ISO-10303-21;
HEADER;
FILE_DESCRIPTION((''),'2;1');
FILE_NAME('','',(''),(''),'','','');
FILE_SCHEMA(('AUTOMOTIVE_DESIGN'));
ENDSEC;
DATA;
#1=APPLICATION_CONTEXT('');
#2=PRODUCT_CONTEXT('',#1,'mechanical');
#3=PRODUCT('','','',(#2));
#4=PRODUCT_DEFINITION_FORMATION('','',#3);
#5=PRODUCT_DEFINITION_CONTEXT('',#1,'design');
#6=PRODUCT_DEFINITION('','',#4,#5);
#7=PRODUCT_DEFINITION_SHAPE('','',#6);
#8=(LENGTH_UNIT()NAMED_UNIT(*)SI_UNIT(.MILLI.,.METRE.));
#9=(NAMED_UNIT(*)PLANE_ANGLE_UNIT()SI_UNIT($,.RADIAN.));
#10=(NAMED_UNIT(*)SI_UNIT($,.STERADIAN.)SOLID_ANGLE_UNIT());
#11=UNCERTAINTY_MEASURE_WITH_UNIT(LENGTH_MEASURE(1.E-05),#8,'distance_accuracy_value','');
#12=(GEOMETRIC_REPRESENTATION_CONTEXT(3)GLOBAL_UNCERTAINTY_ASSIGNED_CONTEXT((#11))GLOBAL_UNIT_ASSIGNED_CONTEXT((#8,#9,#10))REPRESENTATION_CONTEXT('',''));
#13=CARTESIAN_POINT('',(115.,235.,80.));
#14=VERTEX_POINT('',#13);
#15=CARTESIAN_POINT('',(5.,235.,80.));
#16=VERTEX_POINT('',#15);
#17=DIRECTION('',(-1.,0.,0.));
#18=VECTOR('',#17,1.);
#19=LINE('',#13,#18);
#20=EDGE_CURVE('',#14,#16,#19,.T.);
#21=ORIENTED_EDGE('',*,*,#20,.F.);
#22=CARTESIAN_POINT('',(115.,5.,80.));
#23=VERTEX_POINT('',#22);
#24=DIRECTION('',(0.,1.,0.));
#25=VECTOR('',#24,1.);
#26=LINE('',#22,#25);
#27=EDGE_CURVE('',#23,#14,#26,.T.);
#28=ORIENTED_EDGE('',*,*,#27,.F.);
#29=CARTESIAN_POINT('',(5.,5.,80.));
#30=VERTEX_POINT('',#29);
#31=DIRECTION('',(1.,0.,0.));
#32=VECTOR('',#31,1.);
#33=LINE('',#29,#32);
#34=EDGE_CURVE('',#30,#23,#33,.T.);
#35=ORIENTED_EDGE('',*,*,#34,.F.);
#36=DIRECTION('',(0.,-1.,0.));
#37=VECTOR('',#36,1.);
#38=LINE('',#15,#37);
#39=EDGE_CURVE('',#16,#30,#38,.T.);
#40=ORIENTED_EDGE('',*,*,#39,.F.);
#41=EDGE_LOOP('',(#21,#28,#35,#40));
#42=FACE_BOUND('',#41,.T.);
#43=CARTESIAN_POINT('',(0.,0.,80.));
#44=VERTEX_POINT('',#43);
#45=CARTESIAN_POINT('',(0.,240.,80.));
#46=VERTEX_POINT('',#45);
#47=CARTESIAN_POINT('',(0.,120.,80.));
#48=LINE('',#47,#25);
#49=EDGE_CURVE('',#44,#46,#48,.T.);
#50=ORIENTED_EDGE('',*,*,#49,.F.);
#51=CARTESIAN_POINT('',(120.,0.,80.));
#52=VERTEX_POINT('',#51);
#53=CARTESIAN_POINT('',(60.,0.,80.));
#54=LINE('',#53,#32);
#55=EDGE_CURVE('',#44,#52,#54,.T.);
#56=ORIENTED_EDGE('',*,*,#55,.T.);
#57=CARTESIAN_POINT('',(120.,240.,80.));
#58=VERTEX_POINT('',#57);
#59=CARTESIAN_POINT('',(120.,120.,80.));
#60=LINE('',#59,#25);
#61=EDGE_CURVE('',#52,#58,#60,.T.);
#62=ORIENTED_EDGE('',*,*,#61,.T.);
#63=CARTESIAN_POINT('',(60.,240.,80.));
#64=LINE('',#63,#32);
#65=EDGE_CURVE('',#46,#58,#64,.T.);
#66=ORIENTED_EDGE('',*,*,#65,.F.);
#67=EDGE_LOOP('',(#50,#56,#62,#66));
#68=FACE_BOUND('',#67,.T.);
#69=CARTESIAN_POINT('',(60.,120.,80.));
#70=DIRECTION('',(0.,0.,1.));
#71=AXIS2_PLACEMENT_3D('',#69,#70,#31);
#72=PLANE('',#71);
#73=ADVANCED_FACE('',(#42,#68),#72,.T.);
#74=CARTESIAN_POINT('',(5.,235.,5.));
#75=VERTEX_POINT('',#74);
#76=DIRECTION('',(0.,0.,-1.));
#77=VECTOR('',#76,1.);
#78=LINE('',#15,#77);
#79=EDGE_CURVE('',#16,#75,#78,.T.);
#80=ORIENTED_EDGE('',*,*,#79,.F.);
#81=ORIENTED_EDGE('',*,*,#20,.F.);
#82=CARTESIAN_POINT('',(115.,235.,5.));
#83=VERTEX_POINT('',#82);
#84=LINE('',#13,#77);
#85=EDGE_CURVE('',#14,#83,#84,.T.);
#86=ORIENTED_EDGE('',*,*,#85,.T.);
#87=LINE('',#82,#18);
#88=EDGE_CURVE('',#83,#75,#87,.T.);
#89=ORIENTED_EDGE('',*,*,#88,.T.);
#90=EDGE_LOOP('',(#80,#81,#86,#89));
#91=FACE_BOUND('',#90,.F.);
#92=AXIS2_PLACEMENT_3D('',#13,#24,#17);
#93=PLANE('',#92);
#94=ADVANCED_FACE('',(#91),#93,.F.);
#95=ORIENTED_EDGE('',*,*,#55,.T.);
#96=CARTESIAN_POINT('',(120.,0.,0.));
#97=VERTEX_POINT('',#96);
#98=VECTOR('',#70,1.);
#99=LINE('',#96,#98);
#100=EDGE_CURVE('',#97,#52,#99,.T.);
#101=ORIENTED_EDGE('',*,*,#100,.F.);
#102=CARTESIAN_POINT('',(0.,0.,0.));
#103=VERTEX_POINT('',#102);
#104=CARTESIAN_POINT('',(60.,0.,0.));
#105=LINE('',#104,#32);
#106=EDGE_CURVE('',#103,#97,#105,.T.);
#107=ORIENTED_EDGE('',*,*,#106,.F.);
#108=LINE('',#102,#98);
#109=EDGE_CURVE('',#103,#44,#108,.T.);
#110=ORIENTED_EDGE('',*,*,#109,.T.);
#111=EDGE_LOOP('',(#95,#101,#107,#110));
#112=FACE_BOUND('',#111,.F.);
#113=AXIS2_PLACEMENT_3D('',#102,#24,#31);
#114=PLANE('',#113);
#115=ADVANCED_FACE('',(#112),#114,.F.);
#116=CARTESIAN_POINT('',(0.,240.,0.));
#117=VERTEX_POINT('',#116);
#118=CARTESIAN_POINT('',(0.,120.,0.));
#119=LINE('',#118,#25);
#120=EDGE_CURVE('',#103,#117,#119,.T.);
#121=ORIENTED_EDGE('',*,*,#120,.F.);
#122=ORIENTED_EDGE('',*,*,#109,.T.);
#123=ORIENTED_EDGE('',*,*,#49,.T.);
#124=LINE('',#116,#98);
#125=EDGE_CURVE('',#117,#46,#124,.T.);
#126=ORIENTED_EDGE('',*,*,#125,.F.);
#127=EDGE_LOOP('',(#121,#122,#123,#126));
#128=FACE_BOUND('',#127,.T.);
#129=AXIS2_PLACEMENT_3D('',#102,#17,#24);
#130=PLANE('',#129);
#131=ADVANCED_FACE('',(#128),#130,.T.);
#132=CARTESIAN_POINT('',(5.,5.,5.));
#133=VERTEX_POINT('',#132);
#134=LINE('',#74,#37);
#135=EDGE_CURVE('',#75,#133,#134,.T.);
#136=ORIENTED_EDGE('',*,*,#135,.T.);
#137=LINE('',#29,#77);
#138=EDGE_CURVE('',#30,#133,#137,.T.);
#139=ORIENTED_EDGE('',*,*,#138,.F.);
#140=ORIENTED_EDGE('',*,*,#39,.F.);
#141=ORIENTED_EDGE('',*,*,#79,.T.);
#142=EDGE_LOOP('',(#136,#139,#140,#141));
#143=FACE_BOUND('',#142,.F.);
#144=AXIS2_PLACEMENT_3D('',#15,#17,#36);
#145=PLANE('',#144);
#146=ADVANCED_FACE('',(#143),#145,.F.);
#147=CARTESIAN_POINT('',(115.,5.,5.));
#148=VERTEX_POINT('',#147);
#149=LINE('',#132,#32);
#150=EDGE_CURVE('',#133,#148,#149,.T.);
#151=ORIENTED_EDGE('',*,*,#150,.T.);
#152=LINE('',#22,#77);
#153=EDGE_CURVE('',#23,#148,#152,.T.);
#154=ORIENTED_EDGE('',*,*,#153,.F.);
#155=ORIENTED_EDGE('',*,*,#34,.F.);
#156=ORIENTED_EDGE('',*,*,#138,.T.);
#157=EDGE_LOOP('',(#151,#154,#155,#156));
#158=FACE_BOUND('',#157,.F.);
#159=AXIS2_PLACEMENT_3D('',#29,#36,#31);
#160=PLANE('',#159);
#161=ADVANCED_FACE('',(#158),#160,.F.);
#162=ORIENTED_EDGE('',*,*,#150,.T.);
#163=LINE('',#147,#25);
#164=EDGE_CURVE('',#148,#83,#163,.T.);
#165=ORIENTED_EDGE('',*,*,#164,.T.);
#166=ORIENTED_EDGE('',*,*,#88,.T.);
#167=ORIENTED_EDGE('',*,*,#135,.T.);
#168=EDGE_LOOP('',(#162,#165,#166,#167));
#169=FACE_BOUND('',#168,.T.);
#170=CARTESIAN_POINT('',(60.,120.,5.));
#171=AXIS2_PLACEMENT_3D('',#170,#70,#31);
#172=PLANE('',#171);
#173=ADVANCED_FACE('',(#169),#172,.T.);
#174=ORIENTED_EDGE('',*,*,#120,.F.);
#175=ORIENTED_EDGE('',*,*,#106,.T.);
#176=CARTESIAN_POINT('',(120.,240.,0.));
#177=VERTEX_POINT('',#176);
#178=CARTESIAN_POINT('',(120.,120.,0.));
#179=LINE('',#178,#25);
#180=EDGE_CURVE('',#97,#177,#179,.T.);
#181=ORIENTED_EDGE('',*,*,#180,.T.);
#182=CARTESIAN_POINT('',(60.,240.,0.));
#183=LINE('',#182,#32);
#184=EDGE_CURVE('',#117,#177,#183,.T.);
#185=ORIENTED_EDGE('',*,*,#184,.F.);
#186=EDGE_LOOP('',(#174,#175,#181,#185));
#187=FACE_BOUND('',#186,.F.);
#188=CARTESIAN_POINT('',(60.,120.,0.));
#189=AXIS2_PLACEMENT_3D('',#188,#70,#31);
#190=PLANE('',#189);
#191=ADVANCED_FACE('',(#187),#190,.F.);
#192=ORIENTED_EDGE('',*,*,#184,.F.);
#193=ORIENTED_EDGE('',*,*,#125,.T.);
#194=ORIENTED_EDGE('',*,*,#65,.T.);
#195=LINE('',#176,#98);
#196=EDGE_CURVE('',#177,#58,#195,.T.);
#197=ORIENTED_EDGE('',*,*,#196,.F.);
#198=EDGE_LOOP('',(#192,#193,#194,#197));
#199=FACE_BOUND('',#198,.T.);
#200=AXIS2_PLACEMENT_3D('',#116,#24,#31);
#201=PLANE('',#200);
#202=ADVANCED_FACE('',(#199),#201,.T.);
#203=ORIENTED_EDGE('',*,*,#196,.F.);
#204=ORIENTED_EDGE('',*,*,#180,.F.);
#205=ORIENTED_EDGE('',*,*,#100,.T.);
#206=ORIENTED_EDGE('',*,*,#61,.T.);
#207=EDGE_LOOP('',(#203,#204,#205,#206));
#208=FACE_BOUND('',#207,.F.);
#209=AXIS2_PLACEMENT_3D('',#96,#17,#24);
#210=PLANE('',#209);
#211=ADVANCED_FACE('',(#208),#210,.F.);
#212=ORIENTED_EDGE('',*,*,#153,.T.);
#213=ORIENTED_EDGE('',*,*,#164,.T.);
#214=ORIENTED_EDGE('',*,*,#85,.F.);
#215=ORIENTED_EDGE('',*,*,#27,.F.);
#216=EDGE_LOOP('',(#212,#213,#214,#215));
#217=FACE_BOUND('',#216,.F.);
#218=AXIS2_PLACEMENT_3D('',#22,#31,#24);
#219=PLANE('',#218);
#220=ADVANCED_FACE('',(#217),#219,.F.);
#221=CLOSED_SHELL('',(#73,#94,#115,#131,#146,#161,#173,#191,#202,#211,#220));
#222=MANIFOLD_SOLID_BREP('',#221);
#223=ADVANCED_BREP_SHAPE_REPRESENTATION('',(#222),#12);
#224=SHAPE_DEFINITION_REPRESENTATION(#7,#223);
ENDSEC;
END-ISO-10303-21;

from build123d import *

# Parameters (mm, degrees)
F0_W     = 120
F0_H     = 240
F1_DEPTH = 80
F3_DEPTH = 75


with BuildPart() as f1:
    # F0 (on Top) → F1 (new body)
    with BuildSketch(Plane.XY):
        with Locations((60, 120)):
            Rectangle(F0_W, F0_H)
    extrude(amount=F1_DEPTH)

    # F2 (on face) → F3 (cut)
    with BuildSketch(Plane.XY.offset(80)):
        Polygon((115, 235), (5, 235), (5, 152.276635), (5, 5), (60, 5), (115, 5), align=None)
    extrude(amount=-F3_DEPTH, mode=Mode.SUBTRACT)


solid = f1.part
